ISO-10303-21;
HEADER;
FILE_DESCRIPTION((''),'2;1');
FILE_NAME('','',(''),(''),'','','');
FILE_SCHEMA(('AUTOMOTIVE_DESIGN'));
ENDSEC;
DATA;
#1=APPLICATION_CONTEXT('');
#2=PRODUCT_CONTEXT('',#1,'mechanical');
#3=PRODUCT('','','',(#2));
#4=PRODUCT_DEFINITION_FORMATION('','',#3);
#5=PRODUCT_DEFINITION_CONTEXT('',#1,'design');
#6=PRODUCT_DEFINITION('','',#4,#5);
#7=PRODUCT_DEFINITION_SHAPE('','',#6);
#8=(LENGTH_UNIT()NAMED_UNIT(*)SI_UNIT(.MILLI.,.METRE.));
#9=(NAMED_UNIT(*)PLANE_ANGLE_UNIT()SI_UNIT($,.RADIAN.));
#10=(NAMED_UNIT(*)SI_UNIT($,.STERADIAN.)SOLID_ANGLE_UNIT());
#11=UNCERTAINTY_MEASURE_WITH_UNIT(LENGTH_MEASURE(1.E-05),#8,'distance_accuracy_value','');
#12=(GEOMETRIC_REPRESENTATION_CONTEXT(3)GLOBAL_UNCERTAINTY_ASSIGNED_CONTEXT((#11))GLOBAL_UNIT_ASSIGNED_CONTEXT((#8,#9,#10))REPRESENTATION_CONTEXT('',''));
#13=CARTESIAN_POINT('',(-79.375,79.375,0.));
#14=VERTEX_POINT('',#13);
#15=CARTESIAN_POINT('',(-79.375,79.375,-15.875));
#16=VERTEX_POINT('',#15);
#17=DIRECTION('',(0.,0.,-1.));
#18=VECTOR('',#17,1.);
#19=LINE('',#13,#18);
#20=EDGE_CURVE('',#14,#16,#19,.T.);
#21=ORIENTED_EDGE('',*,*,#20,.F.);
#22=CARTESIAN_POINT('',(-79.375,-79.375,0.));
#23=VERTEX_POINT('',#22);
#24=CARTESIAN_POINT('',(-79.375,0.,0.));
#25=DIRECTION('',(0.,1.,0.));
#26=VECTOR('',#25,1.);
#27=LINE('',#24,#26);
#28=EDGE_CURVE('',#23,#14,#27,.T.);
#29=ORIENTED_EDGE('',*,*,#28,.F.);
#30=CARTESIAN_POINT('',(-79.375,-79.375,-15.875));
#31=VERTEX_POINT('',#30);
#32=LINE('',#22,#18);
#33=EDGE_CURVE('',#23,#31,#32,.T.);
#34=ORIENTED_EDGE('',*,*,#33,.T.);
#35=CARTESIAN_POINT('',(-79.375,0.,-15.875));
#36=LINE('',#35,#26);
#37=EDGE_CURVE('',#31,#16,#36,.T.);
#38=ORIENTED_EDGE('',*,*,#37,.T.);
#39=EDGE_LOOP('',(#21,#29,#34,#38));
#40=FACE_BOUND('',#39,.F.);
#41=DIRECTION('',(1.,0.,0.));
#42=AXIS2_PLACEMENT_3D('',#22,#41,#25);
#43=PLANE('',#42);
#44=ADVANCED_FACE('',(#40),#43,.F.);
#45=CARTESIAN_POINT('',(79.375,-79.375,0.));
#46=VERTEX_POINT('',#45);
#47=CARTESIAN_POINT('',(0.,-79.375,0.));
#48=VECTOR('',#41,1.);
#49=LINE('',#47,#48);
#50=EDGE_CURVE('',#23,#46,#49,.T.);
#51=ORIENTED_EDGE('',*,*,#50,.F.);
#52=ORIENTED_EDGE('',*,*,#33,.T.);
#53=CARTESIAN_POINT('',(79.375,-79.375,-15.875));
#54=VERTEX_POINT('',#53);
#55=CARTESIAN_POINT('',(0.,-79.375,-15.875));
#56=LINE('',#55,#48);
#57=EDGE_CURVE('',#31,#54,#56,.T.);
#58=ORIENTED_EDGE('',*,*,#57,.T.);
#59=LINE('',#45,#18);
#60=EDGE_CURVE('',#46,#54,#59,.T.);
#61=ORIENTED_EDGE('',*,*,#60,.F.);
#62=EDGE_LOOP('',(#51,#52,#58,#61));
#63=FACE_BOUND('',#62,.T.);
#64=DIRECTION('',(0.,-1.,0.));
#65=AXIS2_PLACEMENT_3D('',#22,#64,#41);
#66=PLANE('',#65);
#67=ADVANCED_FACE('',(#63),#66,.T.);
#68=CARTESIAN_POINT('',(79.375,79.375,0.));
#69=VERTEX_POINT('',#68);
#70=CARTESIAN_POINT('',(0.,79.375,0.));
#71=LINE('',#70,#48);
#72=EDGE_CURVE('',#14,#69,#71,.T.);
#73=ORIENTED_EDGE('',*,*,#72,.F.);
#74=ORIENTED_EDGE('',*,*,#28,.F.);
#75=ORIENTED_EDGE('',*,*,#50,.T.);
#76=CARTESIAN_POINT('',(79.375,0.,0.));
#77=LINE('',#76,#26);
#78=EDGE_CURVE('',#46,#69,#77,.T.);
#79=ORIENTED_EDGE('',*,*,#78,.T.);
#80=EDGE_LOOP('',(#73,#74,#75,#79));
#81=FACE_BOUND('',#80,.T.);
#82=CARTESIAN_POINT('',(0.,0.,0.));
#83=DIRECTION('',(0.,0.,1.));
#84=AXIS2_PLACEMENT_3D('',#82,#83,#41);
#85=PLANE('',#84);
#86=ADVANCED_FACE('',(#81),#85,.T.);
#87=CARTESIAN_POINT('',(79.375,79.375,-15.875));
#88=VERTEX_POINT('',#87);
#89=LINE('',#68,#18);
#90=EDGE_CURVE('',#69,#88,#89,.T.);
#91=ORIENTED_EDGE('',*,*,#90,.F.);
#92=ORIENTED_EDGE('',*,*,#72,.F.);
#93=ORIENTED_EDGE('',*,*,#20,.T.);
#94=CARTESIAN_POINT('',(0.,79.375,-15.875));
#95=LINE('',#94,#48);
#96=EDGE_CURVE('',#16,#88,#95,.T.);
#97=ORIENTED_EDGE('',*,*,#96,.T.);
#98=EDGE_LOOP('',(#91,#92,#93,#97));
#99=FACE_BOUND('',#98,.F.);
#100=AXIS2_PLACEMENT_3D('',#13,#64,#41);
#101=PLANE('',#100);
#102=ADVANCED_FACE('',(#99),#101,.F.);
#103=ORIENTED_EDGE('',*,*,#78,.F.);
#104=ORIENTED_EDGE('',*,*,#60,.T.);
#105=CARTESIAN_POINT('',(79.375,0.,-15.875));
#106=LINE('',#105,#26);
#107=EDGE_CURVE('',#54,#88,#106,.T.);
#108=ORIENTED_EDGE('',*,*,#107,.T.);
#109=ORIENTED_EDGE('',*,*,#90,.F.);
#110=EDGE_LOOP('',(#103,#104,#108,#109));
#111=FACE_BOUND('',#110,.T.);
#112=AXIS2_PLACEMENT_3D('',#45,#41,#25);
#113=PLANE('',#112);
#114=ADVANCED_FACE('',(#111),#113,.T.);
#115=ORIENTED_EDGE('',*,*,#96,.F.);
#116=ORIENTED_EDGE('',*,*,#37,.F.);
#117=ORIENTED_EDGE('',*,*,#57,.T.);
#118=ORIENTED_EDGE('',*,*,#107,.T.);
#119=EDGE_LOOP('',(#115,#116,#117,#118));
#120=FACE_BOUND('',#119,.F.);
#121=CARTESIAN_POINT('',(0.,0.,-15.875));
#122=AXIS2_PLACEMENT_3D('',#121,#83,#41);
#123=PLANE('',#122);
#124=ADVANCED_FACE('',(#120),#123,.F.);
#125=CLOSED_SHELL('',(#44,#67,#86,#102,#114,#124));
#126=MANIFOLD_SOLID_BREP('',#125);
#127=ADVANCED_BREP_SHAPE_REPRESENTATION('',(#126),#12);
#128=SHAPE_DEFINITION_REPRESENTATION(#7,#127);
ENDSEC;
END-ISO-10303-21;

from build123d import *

# Parameters (mm, degrees)
F0_W     = 158.75
F0_H     = 158.75
F1_DEPTH = 15.875
F2_W     = 142.875
F2_H     = 142.875
F3_DEPTH = 3.556


with BuildPart() as f1:
    # F0 (on Top) → F1 (new body)
    with BuildSketch(Plane.XY):
        Rectangle(F0_W, F0_H)
    extrude(amount=-F1_DEPTH)

    # F2 (on face) → F3 (join)
    with BuildSketch(Plane.XY):
        Rectangle(F2_W, F2_H)
    extrude(amount=-F3_DEPTH)


solid = f1.part
